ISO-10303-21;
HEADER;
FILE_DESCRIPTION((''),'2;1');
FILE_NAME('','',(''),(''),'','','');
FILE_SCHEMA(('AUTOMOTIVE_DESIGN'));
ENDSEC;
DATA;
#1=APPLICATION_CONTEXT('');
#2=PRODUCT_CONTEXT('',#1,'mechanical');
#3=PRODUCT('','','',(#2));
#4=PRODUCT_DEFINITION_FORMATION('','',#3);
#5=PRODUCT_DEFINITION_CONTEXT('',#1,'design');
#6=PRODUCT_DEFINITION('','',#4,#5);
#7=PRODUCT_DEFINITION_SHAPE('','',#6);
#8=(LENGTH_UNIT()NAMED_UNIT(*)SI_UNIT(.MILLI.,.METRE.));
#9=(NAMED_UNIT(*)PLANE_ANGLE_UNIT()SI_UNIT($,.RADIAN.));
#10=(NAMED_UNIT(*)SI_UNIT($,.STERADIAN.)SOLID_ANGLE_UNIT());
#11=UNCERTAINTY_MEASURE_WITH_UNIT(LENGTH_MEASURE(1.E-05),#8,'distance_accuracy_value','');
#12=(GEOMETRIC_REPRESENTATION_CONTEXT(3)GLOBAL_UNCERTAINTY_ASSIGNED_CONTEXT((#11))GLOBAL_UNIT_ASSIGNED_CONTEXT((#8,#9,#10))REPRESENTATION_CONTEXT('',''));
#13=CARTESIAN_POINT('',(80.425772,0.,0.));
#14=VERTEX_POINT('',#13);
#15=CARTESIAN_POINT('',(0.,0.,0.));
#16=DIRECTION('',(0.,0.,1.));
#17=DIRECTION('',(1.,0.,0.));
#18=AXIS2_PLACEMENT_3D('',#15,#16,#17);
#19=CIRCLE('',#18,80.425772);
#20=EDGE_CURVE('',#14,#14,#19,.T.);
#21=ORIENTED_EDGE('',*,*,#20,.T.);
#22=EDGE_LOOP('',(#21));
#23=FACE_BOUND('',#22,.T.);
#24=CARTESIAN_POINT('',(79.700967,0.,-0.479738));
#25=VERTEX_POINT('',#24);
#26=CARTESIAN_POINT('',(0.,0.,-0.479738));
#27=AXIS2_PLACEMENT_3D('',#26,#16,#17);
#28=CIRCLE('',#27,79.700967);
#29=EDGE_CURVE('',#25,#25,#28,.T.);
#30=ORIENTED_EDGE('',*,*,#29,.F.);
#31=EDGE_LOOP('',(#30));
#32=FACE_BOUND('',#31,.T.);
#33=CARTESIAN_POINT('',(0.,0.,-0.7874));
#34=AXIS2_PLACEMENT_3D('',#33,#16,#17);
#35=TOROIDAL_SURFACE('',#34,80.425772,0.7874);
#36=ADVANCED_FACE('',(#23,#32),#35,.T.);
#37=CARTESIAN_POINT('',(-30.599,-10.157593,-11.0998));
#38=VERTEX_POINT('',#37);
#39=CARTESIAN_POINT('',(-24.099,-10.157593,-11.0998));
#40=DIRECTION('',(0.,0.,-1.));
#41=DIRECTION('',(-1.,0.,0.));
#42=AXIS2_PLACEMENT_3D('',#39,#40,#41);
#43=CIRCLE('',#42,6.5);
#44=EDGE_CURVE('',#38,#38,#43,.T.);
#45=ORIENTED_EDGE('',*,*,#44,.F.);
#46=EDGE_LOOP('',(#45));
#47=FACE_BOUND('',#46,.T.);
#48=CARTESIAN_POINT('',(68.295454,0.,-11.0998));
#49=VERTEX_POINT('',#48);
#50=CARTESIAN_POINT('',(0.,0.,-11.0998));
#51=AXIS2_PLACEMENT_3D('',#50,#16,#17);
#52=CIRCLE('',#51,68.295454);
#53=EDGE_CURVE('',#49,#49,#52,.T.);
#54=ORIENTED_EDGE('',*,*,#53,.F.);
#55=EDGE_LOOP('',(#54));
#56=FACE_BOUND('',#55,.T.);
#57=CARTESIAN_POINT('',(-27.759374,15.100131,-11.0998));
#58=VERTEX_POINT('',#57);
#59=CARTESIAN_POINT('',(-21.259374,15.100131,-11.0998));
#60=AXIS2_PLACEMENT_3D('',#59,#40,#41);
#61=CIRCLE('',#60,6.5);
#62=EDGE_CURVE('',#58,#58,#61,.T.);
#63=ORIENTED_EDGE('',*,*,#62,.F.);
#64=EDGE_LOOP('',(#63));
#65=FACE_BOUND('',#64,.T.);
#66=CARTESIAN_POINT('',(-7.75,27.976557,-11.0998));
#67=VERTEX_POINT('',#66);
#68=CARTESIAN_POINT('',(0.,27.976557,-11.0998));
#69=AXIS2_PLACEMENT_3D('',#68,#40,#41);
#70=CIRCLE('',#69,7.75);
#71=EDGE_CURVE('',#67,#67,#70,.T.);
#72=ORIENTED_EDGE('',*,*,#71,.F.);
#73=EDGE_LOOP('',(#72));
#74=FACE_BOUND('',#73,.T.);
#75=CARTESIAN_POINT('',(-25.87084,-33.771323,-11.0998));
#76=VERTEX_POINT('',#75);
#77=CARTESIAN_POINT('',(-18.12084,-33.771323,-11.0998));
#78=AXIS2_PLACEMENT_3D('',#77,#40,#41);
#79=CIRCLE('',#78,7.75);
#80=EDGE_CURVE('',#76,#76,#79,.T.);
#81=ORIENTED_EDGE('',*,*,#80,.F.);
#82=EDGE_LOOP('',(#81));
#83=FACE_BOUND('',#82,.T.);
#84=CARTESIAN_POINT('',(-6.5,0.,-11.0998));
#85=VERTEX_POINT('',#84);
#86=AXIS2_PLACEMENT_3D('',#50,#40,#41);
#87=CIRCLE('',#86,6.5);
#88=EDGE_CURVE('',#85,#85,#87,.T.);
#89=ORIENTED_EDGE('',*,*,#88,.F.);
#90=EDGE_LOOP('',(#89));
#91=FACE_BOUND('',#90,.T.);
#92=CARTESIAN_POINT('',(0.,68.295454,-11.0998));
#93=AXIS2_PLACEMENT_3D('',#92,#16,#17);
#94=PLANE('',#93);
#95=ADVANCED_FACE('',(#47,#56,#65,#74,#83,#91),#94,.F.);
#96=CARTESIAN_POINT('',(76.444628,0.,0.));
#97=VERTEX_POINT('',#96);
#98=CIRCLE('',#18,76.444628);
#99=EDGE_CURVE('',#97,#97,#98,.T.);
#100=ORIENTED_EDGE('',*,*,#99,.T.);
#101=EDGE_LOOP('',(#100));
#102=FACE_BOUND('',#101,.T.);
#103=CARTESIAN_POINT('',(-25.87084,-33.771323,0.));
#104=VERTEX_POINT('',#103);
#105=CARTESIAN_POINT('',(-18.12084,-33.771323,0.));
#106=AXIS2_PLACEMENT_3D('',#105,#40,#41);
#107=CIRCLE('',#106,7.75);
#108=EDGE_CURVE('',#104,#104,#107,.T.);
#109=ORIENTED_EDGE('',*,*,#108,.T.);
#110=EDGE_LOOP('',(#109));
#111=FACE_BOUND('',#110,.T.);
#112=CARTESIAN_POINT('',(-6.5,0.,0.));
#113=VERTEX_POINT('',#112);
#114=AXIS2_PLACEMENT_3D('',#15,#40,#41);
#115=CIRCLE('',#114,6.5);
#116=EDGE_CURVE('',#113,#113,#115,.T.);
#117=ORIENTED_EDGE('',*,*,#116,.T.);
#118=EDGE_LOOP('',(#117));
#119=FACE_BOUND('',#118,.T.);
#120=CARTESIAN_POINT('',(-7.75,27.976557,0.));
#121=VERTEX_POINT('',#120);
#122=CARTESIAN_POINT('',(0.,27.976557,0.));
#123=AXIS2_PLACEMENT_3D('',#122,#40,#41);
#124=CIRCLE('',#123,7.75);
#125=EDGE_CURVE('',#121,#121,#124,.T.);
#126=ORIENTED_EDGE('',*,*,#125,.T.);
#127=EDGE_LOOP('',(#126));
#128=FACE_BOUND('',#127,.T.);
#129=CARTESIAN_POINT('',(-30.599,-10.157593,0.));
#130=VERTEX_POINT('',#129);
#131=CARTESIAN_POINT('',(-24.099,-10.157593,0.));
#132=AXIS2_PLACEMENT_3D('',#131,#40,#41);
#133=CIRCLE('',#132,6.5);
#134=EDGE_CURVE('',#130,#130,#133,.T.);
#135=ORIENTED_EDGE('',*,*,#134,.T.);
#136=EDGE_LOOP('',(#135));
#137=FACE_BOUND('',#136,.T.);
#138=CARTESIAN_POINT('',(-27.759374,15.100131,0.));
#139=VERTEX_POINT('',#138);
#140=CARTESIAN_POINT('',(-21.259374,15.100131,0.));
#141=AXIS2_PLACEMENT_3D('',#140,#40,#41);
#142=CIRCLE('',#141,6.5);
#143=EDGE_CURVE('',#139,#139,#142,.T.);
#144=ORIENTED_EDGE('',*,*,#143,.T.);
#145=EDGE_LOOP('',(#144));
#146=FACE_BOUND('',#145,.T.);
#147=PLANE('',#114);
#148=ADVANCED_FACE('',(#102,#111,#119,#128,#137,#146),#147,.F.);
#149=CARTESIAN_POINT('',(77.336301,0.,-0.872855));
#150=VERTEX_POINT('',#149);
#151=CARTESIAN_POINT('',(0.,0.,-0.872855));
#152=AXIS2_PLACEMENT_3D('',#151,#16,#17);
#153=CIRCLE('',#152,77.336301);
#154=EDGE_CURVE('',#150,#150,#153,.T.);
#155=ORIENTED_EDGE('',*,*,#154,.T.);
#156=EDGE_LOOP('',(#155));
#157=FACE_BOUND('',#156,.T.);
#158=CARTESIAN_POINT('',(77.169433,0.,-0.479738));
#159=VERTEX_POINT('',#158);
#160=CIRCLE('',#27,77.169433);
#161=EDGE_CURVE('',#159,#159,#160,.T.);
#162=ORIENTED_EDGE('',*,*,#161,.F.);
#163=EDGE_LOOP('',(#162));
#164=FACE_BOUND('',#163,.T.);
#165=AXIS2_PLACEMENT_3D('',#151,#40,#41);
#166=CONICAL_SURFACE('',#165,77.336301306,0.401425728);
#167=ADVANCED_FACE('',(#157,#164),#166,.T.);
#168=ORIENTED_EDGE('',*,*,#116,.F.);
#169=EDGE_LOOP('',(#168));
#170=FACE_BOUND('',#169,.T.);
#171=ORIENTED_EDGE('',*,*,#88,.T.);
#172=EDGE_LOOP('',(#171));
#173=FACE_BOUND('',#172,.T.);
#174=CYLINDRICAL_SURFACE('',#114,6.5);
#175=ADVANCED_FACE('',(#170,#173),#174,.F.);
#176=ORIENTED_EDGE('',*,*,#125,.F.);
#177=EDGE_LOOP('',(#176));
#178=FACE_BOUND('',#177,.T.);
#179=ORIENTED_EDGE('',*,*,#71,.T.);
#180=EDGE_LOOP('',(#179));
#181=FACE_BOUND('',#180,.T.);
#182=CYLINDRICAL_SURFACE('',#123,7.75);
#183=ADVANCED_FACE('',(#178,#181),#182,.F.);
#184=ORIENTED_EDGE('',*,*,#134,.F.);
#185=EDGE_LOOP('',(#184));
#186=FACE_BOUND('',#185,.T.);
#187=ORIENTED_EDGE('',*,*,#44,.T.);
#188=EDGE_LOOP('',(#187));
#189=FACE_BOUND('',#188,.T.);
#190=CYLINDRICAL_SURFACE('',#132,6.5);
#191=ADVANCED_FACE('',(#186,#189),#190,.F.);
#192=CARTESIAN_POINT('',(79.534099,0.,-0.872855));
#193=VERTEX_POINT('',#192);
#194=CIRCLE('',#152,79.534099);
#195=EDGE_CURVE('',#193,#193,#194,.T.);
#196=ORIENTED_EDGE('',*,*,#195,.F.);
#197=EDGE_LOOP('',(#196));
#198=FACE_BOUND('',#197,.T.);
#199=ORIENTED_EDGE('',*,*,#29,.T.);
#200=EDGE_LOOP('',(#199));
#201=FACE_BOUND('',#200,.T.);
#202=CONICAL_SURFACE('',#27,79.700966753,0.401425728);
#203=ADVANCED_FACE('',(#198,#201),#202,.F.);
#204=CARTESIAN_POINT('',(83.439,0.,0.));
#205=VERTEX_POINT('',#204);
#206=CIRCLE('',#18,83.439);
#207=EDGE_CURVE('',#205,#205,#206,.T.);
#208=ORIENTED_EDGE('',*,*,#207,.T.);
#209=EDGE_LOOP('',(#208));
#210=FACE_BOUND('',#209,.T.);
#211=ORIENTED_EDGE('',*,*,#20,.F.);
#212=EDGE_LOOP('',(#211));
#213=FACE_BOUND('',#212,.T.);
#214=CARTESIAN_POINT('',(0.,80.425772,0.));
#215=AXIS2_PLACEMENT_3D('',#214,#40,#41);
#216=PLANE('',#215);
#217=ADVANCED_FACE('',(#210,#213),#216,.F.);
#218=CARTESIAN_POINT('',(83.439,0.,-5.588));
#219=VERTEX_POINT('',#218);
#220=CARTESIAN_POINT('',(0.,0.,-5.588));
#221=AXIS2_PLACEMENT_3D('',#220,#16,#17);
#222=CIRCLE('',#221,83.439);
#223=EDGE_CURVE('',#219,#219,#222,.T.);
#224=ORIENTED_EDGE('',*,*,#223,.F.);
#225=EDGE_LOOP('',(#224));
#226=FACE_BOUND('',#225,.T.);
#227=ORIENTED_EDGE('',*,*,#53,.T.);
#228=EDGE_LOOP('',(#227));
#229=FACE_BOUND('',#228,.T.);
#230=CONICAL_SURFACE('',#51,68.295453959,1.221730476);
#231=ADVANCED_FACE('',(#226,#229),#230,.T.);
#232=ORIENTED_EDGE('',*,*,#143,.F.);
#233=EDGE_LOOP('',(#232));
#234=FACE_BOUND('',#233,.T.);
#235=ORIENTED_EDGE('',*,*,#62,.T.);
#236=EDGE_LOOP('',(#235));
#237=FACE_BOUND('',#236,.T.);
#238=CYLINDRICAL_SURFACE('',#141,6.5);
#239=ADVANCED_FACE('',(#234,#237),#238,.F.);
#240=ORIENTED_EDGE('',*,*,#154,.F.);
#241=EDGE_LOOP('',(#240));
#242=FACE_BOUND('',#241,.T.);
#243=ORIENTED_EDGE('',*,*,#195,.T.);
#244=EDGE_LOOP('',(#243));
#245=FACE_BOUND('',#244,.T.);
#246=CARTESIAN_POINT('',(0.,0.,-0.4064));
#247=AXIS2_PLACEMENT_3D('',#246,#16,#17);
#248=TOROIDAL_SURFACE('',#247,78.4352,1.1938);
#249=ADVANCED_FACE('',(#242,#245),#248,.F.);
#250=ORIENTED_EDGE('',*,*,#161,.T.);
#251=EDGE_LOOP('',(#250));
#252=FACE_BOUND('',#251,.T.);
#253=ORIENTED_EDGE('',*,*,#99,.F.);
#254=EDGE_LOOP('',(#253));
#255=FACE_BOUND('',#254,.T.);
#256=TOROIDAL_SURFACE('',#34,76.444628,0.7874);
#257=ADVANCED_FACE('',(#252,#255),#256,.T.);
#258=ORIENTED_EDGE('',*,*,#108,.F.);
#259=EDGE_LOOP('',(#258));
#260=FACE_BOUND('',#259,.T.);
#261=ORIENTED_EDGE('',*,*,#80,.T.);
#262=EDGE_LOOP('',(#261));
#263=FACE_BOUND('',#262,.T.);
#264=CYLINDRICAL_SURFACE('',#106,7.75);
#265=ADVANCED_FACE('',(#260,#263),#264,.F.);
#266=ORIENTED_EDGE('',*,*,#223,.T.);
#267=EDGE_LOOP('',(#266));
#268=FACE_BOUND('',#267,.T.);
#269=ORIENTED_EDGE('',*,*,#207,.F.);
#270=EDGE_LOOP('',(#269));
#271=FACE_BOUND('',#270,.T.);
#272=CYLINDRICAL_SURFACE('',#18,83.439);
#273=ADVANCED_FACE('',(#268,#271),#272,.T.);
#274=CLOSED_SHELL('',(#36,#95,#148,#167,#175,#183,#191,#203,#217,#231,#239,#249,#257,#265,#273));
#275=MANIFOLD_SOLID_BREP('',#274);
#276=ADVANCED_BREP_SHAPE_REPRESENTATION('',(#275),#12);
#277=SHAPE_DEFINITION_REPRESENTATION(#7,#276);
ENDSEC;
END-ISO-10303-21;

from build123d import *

# Parameters (mm, degrees)
SKETCH2_R          = 6.5
SKETCH2_R_2        = 7.75
CUT_EXTRUDE1_DEPTH = 119.521470637


with BuildPart() as part:
    # Sketch1 → Revolve1 (revolve)
    with BuildSketch(Plane(origin=(0, 0, 0), x_dir=(0, 0, -1), z_dir=(1, 0, 0)), mode=Mode.PRIVATE) as revolve1_sk:
        with BuildLine():
            Line((0, 0), (0, 76.444627725))
            ThreePointArc((0, 76.444627725), (0.130798304, 76.879222907), (0.479738309, 77.169433247))
            Line((0.479738309, 77.169433247), (0.872854821, 77.336301306))
            ThreePointArc((0.872854821, 77.336301306), (1.6002, 78.4352), (0.872854821, 79.534098694))
            Line((0.872854821, 79.534098694), (0.479738309, 79.700966753))
            ThreePointArc((0.479738309, 79.700966753), (0.130798304, 79.991177093), (0, 80.425772275))
            Line((0, 80.425772275), (0, 83.439))
            Line((0, 83.439), (5.588, 83.439))
            Line((5.588, 83.439), (11.0998, 68.295453959))
            Line((11.0998, 68.295453959), (11.0998, 0))
            Line((11.0998, 0), (0, 0))
        make_face()
    revolve(revolve1_sk.sketch.rotate(Axis((0, 0, 0), (0, 0, -1)), 90), axis=Axis((0, 0, 0), (0, 0, -1)))

    # Sketch2 → Cut-Extrude1 (cut, through all)
    with BuildSketch(Plane(origin=(0, 0, -11.0998), x_dir=(-1, 0, 0), z_dir=(0, 0, -1))):
        Circle(SKETCH2_R)
        with Locations((0, 27.9765569)):
            Circle(SKETCH2_R_2)
        with Locations((24.098999837, -10.15759269)):
            Circle(SKETCH2_R)
        with Locations((21.259374059, 15.100131331)):
            Circle(SKETCH2_R)
        with Locations((18.120840305, -33.771322839)):
            Circle(SKETCH2_R_2)
    extrude(amount=-CUT_EXTRUDE1_DEPTH, mode=Mode.SUBTRACT)


solid = part.part
